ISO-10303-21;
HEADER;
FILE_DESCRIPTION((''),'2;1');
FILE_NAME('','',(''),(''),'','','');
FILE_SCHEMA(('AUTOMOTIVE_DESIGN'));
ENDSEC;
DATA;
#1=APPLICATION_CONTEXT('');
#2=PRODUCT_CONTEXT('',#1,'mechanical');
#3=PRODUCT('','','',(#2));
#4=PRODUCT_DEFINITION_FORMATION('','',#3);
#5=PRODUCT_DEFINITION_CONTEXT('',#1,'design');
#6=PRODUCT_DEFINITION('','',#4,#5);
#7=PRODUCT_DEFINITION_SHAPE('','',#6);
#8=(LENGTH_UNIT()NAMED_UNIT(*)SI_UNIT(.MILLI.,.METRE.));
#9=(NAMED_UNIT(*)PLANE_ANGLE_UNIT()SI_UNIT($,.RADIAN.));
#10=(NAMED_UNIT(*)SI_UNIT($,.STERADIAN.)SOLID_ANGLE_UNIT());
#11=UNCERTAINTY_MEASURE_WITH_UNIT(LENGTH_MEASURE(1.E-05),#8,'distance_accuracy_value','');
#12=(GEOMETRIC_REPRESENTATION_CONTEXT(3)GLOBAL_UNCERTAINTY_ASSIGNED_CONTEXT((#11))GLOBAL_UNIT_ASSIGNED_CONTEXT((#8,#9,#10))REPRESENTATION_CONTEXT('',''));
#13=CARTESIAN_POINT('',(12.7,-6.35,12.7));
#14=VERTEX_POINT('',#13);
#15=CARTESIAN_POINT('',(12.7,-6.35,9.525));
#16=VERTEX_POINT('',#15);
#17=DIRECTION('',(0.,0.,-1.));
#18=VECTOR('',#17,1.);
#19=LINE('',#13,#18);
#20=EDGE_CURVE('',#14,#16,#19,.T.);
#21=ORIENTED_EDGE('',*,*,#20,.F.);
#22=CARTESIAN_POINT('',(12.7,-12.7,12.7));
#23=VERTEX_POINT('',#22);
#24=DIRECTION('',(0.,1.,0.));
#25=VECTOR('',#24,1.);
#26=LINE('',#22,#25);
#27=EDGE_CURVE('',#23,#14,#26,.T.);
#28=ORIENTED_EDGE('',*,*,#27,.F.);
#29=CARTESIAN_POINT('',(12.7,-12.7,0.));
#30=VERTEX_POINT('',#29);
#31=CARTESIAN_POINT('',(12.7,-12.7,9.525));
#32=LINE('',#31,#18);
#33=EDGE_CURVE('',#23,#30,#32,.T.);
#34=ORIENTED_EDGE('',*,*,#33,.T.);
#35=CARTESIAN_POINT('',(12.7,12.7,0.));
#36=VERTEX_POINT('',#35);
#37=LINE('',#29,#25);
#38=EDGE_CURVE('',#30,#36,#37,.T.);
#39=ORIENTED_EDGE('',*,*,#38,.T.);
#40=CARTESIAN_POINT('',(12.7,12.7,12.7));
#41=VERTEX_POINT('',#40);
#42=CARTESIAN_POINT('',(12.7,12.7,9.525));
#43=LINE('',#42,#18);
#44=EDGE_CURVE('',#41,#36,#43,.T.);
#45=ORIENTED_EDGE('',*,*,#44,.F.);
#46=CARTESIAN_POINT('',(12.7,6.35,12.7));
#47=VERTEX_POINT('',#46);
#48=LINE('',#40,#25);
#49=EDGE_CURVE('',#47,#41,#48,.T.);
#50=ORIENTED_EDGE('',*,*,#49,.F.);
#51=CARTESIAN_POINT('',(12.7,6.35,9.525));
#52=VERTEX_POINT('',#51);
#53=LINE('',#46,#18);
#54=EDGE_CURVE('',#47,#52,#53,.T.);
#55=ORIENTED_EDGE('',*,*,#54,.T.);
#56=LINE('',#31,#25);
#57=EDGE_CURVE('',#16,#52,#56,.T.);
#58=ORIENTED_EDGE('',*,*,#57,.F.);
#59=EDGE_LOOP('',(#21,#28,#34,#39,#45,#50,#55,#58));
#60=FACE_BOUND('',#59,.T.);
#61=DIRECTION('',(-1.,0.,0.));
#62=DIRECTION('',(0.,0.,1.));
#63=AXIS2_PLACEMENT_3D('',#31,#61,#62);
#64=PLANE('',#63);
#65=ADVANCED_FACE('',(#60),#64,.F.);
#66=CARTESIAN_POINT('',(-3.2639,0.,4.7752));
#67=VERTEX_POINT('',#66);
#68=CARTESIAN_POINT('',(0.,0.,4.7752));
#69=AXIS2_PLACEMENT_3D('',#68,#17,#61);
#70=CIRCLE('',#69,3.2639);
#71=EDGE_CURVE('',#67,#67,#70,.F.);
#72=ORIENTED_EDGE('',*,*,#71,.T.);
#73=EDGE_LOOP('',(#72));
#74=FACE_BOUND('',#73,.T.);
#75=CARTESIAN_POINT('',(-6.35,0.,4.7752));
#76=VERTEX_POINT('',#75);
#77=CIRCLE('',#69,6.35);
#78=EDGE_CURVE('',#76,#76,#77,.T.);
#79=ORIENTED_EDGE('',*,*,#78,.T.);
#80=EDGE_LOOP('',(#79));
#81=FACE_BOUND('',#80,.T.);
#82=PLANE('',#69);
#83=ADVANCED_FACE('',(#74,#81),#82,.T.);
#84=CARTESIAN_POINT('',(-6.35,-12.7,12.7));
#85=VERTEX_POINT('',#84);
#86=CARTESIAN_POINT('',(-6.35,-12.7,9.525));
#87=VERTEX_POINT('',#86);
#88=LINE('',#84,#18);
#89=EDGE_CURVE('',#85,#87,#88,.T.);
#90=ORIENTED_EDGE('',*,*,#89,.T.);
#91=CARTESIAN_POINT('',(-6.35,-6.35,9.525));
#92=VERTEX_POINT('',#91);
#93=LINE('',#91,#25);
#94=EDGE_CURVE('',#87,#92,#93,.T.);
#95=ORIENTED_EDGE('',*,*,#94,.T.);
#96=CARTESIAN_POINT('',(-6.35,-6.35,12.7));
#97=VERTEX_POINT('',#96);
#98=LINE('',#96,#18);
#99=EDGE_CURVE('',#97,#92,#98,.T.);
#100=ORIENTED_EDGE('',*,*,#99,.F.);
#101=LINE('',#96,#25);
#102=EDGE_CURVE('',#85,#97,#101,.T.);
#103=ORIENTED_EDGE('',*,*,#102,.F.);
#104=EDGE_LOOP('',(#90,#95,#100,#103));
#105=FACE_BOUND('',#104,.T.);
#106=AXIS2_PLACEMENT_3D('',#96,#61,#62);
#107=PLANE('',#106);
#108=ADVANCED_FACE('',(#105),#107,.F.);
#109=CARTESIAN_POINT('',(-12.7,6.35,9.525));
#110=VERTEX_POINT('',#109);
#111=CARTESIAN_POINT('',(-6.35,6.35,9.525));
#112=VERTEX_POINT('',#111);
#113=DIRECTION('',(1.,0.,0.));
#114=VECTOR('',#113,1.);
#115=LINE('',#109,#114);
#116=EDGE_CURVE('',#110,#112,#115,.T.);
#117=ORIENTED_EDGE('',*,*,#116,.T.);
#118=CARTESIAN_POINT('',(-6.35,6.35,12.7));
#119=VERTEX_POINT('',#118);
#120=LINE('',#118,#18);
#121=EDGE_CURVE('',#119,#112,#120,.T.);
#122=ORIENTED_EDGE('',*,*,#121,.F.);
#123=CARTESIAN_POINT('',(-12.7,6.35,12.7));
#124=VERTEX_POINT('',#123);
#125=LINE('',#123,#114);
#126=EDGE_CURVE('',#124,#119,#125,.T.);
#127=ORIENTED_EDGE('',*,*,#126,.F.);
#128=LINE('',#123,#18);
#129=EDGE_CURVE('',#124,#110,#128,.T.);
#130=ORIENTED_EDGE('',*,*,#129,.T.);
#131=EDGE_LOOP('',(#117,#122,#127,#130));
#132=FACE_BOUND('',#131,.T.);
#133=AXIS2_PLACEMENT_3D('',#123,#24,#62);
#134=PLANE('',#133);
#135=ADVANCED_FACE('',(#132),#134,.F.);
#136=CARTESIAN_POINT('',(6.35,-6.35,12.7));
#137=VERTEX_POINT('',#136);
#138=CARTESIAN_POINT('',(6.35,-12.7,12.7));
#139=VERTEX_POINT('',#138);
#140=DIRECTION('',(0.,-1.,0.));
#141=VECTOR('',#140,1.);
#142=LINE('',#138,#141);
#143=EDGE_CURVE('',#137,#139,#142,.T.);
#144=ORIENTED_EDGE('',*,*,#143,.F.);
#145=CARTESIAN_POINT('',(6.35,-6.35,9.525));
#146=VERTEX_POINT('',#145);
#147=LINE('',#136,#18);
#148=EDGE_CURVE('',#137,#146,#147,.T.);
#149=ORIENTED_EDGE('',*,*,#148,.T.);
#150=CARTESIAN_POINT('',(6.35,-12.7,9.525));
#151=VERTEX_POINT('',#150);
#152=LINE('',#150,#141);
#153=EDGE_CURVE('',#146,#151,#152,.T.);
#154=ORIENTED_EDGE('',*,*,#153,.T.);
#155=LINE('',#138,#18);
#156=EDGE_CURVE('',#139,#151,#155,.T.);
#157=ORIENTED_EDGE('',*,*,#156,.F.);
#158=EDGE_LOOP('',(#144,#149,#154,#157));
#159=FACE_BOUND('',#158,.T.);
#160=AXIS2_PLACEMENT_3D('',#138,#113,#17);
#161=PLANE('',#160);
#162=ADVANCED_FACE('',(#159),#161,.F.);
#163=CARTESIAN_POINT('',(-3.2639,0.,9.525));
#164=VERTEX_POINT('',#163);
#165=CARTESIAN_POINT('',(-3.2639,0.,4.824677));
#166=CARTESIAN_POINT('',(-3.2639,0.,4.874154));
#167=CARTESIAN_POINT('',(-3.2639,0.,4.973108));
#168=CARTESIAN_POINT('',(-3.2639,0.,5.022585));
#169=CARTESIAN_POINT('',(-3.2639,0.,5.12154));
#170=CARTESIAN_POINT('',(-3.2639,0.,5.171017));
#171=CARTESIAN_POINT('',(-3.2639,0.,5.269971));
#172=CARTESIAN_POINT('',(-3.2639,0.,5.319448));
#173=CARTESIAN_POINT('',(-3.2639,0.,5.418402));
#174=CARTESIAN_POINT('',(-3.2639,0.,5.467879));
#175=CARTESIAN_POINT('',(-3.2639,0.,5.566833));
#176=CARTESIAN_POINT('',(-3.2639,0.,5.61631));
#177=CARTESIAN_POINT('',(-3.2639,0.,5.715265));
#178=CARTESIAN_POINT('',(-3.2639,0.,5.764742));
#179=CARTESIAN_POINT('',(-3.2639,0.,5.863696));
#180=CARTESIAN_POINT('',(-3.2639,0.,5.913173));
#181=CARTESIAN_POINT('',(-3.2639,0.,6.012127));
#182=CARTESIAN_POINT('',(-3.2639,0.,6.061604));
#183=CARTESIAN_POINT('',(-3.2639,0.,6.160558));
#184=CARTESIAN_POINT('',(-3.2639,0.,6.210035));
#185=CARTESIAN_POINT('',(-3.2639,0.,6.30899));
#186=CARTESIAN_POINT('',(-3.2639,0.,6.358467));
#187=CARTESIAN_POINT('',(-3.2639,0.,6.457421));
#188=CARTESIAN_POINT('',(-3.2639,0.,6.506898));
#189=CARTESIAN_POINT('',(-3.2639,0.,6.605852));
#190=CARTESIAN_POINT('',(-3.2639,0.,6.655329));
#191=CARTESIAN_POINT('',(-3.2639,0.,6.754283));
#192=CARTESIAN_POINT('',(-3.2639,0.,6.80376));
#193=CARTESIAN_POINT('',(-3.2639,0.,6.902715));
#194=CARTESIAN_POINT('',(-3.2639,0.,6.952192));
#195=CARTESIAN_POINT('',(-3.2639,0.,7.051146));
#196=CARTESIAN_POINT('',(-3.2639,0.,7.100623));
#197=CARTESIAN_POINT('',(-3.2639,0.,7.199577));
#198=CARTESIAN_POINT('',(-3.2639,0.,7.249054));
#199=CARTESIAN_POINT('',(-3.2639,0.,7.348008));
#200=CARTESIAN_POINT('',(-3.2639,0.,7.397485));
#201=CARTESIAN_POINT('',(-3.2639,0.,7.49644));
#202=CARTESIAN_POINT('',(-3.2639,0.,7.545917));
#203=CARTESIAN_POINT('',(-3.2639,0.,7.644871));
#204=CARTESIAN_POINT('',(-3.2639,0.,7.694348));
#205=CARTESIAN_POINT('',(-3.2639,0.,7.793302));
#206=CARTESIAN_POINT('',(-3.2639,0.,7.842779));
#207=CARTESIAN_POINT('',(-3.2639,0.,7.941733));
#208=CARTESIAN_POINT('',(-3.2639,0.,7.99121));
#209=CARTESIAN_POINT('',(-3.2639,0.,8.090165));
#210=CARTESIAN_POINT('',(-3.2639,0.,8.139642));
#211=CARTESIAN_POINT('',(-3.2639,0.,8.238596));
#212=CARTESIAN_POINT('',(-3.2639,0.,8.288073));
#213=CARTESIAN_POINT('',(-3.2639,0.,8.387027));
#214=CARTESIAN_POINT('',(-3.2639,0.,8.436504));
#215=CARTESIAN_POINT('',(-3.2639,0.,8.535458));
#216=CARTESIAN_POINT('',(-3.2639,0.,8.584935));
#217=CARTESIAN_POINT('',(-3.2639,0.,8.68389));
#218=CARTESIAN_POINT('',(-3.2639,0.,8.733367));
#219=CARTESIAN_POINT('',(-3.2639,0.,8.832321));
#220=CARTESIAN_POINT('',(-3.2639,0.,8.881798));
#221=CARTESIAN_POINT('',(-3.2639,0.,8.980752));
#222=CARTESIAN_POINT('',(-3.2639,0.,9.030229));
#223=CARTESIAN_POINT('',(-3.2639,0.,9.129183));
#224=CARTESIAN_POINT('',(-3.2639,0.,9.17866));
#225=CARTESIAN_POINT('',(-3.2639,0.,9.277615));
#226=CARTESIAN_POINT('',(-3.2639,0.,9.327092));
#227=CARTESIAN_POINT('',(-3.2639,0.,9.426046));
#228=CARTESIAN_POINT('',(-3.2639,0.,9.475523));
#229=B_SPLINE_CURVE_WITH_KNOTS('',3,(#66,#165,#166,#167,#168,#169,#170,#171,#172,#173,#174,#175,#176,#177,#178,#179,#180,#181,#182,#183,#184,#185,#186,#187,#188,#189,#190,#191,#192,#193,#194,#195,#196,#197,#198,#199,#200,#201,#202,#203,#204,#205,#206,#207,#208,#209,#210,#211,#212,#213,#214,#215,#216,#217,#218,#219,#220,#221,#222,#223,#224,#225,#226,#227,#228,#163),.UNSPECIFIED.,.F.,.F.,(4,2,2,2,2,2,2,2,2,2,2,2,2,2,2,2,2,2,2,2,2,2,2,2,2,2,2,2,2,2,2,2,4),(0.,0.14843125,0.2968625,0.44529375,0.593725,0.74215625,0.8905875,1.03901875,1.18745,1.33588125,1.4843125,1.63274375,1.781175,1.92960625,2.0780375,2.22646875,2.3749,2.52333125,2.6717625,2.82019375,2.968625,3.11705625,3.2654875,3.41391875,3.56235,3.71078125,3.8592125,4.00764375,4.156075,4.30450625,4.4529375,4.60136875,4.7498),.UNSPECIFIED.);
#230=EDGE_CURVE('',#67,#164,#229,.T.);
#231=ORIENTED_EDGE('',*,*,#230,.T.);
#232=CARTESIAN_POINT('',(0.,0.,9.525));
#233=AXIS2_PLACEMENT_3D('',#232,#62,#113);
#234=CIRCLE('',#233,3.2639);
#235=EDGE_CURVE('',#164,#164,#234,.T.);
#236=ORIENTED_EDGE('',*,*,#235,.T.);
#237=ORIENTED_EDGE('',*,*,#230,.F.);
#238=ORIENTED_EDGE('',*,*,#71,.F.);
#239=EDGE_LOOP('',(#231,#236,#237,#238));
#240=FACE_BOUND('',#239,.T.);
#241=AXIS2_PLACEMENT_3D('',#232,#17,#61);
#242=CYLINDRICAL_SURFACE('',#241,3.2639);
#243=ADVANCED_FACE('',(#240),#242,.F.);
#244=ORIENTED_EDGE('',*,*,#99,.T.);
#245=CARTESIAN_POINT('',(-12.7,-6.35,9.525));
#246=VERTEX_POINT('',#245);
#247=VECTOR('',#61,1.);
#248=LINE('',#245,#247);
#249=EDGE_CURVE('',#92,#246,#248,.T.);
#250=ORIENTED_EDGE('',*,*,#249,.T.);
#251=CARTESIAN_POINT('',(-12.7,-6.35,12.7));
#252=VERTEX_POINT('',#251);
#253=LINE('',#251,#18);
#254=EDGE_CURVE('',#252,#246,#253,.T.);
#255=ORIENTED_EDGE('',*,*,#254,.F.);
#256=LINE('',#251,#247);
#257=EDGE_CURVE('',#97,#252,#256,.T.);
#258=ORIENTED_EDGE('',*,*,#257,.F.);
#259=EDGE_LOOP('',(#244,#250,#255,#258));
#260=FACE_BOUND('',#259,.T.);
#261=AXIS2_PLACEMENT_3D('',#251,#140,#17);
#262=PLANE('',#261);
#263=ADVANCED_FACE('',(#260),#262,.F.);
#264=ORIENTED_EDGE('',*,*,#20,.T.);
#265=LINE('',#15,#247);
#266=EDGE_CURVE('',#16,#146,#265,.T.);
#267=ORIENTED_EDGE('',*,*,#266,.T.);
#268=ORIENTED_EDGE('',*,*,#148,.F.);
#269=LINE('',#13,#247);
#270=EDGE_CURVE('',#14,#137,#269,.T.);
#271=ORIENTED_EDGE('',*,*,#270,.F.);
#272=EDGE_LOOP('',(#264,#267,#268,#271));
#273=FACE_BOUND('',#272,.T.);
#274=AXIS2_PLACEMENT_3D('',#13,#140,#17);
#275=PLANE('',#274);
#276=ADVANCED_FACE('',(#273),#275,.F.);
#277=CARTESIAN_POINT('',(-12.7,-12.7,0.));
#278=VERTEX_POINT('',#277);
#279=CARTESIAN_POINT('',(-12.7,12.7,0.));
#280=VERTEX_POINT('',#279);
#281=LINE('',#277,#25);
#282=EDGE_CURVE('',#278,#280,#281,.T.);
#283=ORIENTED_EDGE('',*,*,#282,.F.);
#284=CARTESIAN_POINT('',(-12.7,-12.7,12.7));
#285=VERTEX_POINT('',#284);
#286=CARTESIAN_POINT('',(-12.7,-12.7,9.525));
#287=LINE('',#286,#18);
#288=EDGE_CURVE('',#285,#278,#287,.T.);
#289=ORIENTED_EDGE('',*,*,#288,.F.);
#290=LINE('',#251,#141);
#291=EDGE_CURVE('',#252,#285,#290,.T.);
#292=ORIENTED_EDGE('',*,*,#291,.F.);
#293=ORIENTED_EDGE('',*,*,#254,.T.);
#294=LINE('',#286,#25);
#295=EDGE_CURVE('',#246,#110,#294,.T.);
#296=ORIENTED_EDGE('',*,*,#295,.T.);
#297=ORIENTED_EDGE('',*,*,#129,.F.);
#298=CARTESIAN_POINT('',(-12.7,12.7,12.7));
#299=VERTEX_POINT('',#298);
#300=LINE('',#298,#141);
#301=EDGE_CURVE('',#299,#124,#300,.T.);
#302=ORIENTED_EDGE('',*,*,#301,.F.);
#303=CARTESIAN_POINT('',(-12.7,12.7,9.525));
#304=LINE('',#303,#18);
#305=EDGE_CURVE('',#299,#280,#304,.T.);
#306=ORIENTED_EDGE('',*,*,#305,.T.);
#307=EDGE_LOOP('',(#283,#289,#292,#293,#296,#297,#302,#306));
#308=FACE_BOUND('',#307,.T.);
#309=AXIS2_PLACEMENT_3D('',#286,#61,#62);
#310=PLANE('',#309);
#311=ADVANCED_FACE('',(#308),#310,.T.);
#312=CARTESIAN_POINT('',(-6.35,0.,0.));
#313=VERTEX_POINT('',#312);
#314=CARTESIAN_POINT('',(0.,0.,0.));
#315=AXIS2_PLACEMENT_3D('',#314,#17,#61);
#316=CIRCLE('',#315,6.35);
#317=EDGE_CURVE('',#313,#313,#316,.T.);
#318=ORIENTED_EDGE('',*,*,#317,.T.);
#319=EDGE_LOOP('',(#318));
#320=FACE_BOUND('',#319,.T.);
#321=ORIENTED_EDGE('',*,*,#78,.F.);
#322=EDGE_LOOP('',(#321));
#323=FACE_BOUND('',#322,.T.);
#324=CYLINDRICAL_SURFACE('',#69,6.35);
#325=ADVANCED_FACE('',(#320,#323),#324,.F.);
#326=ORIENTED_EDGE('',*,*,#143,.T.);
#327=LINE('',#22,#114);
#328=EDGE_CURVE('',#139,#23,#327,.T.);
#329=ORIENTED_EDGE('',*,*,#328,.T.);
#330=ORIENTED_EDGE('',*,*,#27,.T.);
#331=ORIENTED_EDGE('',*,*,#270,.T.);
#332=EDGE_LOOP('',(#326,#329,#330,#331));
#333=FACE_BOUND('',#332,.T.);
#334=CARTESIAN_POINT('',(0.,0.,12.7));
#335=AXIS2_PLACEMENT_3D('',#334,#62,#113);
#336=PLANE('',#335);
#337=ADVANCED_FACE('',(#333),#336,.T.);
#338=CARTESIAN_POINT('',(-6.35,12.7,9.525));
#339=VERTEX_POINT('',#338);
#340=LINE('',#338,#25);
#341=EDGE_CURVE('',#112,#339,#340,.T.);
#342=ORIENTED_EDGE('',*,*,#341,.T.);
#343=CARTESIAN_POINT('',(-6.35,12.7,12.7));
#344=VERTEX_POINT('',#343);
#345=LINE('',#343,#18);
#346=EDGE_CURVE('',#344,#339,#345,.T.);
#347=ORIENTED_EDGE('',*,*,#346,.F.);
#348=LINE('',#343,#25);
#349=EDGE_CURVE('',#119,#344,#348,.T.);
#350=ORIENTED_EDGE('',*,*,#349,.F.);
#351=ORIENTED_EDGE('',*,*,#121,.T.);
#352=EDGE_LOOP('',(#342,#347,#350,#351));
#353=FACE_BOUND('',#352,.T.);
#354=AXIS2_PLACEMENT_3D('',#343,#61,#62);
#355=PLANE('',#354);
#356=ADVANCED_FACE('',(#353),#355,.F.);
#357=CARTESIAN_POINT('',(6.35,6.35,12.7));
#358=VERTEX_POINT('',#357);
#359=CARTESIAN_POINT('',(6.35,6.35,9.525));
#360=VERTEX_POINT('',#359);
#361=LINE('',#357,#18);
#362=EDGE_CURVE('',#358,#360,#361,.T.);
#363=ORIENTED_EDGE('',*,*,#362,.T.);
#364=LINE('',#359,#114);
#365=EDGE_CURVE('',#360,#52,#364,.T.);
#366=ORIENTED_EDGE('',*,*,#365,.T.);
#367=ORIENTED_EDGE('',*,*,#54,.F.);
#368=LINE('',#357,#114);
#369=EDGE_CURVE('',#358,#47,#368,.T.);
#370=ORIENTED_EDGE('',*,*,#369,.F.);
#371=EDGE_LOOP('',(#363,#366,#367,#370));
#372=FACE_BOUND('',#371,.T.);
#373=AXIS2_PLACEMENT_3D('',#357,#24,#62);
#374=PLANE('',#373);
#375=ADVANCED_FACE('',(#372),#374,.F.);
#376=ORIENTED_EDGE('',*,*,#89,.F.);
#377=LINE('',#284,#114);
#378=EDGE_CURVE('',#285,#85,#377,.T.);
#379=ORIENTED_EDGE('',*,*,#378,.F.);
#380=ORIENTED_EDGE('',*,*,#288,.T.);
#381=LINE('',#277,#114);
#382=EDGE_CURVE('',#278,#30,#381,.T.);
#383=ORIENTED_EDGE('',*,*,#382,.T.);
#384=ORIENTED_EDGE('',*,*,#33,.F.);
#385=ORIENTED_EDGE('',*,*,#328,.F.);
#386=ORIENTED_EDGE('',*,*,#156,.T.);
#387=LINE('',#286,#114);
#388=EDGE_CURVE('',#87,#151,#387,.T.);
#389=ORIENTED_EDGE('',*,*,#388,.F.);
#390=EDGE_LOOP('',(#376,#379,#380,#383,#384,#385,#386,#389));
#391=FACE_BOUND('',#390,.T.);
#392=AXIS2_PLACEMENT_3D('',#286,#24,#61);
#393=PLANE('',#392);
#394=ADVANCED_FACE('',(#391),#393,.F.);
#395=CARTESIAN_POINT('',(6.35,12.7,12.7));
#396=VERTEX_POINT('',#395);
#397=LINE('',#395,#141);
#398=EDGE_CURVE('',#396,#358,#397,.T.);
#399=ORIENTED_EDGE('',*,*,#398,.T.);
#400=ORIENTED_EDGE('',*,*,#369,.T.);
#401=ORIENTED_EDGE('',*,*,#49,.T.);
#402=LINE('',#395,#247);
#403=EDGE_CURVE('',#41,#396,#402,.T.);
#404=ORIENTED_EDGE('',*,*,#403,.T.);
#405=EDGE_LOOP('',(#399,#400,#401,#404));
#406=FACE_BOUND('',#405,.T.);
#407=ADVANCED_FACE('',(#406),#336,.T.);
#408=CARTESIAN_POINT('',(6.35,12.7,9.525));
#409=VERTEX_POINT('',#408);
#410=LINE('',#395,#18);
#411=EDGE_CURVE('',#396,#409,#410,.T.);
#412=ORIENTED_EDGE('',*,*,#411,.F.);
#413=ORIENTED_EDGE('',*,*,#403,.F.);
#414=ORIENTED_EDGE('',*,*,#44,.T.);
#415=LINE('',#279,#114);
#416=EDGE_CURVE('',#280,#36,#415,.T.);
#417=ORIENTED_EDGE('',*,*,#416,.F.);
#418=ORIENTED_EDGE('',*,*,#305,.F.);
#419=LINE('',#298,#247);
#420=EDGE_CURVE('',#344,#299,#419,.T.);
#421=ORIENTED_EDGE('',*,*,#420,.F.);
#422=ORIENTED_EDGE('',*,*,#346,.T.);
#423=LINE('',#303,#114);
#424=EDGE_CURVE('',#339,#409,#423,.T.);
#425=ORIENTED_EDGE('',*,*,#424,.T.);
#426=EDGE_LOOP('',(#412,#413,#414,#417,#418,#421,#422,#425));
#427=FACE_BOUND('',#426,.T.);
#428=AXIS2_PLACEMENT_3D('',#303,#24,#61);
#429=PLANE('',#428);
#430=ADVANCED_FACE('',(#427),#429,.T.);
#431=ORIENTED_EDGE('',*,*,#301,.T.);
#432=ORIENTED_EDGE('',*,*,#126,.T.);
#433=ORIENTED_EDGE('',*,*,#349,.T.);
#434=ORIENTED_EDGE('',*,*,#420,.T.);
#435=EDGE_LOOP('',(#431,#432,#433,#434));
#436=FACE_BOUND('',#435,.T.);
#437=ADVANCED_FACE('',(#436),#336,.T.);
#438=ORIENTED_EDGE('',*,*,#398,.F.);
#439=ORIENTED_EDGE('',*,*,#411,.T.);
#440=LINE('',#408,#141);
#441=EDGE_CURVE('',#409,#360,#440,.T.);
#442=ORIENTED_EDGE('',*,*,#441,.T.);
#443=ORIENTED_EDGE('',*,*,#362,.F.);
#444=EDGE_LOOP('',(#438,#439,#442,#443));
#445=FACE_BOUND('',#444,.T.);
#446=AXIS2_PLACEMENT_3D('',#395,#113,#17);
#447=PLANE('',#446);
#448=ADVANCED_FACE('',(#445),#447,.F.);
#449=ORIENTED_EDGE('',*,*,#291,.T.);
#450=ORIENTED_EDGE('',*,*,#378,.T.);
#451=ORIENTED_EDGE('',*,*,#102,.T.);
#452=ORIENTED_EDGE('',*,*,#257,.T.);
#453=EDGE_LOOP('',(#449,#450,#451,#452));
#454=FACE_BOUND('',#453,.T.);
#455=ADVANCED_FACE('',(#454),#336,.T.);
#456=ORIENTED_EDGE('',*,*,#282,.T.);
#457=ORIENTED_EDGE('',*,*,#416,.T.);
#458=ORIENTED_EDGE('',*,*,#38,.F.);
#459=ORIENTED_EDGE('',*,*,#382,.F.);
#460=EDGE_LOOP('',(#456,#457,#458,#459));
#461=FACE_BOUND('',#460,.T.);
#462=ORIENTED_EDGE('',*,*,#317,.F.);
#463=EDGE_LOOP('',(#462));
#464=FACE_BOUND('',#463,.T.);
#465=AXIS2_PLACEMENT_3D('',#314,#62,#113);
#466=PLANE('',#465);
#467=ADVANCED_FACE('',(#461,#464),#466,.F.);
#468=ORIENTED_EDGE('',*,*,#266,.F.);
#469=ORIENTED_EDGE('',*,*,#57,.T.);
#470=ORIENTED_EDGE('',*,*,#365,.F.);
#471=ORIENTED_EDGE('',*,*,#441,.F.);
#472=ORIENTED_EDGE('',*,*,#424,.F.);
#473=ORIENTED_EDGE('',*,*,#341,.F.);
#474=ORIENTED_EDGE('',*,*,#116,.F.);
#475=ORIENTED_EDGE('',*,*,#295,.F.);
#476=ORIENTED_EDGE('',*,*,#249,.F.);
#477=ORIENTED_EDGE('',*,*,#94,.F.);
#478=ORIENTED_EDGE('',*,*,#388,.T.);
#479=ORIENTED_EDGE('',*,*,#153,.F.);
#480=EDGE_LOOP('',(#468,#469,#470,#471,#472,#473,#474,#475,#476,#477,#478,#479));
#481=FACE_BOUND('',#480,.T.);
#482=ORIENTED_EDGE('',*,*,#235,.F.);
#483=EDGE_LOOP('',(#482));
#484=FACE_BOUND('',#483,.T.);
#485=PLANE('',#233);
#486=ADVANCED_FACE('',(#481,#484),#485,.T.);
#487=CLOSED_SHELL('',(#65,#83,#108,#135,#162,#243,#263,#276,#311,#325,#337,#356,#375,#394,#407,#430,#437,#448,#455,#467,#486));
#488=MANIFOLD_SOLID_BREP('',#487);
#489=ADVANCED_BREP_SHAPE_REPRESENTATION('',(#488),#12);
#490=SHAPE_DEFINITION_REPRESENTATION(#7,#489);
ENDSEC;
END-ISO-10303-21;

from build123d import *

# Parameters (mm, degrees)
SKETCH1_W           = 25.4
SKETCH1_H           = 25.4
BOSS_EXTRUDE1_DEPTH = 9.525
SKETCH2_R           = 6.35
CUT_EXTRUDE1_DEPTH  = 4.7752
SKETCH1_3_R         = 3.2639
CUT_EXTRUDE2_DEPTH  = 9.525
SKETCH3_W           = 6.35
SKETCH3_H           = 6.35
BOSS_EXTRUDE3_DEPTH = 3.175


with BuildPart() as part:
    # Sketch1 → Boss-Extrude1 (new body)
    with BuildSketch(Plane(origin=(0, 0, 0), x_dir=(0, 1, 0), z_dir=(0, 0, 1))):
        Rectangle(SKETCH1_W, SKETCH1_H)
    extrude(amount=BOSS_EXTRUDE1_DEPTH)

    # Sketch2 → Cut-Extrude1 (cut)
    with BuildSketch(Plane(origin=(0, 0, 0), x_dir=(1, 0, 0), z_dir=(0, 0, -1))):
        Circle(SKETCH2_R)
    extrude(amount=-CUT_EXTRUDE1_DEPTH, mode=Mode.SUBTRACT)

    # Sketch1<3> → Cut-Extrude2 (cut)
    with BuildSketch(Plane(origin=(0, 0, 0), x_dir=(0, 1, 0), z_dir=(0, 0, 1))):
        Circle(SKETCH1_3_R)
    extrude(amount=CUT_EXTRUDE2_DEPTH, mode=Mode.SUBTRACT)

    # Sketch3 → Boss-Extrude3 (add)
    with BuildSketch(Plane.XY.offset(9.525)):
        with Locations((-9.525, 9.525)):
            Rectangle(SKETCH3_W, SKETCH3_H)
        with Locations((-9.525, -9.525)):
            Rectangle(SKETCH3_W, SKETCH3_H)
        with Locations((9.525, -9.525)):
            Rectangle(SKETCH3_W, SKETCH3_H)
        with Locations((9.525, 9.525)):
            Rectangle(SKETCH3_W, SKETCH3_H)
    extrude(amount=BOSS_EXTRUDE3_DEPTH)


solid = part.part
